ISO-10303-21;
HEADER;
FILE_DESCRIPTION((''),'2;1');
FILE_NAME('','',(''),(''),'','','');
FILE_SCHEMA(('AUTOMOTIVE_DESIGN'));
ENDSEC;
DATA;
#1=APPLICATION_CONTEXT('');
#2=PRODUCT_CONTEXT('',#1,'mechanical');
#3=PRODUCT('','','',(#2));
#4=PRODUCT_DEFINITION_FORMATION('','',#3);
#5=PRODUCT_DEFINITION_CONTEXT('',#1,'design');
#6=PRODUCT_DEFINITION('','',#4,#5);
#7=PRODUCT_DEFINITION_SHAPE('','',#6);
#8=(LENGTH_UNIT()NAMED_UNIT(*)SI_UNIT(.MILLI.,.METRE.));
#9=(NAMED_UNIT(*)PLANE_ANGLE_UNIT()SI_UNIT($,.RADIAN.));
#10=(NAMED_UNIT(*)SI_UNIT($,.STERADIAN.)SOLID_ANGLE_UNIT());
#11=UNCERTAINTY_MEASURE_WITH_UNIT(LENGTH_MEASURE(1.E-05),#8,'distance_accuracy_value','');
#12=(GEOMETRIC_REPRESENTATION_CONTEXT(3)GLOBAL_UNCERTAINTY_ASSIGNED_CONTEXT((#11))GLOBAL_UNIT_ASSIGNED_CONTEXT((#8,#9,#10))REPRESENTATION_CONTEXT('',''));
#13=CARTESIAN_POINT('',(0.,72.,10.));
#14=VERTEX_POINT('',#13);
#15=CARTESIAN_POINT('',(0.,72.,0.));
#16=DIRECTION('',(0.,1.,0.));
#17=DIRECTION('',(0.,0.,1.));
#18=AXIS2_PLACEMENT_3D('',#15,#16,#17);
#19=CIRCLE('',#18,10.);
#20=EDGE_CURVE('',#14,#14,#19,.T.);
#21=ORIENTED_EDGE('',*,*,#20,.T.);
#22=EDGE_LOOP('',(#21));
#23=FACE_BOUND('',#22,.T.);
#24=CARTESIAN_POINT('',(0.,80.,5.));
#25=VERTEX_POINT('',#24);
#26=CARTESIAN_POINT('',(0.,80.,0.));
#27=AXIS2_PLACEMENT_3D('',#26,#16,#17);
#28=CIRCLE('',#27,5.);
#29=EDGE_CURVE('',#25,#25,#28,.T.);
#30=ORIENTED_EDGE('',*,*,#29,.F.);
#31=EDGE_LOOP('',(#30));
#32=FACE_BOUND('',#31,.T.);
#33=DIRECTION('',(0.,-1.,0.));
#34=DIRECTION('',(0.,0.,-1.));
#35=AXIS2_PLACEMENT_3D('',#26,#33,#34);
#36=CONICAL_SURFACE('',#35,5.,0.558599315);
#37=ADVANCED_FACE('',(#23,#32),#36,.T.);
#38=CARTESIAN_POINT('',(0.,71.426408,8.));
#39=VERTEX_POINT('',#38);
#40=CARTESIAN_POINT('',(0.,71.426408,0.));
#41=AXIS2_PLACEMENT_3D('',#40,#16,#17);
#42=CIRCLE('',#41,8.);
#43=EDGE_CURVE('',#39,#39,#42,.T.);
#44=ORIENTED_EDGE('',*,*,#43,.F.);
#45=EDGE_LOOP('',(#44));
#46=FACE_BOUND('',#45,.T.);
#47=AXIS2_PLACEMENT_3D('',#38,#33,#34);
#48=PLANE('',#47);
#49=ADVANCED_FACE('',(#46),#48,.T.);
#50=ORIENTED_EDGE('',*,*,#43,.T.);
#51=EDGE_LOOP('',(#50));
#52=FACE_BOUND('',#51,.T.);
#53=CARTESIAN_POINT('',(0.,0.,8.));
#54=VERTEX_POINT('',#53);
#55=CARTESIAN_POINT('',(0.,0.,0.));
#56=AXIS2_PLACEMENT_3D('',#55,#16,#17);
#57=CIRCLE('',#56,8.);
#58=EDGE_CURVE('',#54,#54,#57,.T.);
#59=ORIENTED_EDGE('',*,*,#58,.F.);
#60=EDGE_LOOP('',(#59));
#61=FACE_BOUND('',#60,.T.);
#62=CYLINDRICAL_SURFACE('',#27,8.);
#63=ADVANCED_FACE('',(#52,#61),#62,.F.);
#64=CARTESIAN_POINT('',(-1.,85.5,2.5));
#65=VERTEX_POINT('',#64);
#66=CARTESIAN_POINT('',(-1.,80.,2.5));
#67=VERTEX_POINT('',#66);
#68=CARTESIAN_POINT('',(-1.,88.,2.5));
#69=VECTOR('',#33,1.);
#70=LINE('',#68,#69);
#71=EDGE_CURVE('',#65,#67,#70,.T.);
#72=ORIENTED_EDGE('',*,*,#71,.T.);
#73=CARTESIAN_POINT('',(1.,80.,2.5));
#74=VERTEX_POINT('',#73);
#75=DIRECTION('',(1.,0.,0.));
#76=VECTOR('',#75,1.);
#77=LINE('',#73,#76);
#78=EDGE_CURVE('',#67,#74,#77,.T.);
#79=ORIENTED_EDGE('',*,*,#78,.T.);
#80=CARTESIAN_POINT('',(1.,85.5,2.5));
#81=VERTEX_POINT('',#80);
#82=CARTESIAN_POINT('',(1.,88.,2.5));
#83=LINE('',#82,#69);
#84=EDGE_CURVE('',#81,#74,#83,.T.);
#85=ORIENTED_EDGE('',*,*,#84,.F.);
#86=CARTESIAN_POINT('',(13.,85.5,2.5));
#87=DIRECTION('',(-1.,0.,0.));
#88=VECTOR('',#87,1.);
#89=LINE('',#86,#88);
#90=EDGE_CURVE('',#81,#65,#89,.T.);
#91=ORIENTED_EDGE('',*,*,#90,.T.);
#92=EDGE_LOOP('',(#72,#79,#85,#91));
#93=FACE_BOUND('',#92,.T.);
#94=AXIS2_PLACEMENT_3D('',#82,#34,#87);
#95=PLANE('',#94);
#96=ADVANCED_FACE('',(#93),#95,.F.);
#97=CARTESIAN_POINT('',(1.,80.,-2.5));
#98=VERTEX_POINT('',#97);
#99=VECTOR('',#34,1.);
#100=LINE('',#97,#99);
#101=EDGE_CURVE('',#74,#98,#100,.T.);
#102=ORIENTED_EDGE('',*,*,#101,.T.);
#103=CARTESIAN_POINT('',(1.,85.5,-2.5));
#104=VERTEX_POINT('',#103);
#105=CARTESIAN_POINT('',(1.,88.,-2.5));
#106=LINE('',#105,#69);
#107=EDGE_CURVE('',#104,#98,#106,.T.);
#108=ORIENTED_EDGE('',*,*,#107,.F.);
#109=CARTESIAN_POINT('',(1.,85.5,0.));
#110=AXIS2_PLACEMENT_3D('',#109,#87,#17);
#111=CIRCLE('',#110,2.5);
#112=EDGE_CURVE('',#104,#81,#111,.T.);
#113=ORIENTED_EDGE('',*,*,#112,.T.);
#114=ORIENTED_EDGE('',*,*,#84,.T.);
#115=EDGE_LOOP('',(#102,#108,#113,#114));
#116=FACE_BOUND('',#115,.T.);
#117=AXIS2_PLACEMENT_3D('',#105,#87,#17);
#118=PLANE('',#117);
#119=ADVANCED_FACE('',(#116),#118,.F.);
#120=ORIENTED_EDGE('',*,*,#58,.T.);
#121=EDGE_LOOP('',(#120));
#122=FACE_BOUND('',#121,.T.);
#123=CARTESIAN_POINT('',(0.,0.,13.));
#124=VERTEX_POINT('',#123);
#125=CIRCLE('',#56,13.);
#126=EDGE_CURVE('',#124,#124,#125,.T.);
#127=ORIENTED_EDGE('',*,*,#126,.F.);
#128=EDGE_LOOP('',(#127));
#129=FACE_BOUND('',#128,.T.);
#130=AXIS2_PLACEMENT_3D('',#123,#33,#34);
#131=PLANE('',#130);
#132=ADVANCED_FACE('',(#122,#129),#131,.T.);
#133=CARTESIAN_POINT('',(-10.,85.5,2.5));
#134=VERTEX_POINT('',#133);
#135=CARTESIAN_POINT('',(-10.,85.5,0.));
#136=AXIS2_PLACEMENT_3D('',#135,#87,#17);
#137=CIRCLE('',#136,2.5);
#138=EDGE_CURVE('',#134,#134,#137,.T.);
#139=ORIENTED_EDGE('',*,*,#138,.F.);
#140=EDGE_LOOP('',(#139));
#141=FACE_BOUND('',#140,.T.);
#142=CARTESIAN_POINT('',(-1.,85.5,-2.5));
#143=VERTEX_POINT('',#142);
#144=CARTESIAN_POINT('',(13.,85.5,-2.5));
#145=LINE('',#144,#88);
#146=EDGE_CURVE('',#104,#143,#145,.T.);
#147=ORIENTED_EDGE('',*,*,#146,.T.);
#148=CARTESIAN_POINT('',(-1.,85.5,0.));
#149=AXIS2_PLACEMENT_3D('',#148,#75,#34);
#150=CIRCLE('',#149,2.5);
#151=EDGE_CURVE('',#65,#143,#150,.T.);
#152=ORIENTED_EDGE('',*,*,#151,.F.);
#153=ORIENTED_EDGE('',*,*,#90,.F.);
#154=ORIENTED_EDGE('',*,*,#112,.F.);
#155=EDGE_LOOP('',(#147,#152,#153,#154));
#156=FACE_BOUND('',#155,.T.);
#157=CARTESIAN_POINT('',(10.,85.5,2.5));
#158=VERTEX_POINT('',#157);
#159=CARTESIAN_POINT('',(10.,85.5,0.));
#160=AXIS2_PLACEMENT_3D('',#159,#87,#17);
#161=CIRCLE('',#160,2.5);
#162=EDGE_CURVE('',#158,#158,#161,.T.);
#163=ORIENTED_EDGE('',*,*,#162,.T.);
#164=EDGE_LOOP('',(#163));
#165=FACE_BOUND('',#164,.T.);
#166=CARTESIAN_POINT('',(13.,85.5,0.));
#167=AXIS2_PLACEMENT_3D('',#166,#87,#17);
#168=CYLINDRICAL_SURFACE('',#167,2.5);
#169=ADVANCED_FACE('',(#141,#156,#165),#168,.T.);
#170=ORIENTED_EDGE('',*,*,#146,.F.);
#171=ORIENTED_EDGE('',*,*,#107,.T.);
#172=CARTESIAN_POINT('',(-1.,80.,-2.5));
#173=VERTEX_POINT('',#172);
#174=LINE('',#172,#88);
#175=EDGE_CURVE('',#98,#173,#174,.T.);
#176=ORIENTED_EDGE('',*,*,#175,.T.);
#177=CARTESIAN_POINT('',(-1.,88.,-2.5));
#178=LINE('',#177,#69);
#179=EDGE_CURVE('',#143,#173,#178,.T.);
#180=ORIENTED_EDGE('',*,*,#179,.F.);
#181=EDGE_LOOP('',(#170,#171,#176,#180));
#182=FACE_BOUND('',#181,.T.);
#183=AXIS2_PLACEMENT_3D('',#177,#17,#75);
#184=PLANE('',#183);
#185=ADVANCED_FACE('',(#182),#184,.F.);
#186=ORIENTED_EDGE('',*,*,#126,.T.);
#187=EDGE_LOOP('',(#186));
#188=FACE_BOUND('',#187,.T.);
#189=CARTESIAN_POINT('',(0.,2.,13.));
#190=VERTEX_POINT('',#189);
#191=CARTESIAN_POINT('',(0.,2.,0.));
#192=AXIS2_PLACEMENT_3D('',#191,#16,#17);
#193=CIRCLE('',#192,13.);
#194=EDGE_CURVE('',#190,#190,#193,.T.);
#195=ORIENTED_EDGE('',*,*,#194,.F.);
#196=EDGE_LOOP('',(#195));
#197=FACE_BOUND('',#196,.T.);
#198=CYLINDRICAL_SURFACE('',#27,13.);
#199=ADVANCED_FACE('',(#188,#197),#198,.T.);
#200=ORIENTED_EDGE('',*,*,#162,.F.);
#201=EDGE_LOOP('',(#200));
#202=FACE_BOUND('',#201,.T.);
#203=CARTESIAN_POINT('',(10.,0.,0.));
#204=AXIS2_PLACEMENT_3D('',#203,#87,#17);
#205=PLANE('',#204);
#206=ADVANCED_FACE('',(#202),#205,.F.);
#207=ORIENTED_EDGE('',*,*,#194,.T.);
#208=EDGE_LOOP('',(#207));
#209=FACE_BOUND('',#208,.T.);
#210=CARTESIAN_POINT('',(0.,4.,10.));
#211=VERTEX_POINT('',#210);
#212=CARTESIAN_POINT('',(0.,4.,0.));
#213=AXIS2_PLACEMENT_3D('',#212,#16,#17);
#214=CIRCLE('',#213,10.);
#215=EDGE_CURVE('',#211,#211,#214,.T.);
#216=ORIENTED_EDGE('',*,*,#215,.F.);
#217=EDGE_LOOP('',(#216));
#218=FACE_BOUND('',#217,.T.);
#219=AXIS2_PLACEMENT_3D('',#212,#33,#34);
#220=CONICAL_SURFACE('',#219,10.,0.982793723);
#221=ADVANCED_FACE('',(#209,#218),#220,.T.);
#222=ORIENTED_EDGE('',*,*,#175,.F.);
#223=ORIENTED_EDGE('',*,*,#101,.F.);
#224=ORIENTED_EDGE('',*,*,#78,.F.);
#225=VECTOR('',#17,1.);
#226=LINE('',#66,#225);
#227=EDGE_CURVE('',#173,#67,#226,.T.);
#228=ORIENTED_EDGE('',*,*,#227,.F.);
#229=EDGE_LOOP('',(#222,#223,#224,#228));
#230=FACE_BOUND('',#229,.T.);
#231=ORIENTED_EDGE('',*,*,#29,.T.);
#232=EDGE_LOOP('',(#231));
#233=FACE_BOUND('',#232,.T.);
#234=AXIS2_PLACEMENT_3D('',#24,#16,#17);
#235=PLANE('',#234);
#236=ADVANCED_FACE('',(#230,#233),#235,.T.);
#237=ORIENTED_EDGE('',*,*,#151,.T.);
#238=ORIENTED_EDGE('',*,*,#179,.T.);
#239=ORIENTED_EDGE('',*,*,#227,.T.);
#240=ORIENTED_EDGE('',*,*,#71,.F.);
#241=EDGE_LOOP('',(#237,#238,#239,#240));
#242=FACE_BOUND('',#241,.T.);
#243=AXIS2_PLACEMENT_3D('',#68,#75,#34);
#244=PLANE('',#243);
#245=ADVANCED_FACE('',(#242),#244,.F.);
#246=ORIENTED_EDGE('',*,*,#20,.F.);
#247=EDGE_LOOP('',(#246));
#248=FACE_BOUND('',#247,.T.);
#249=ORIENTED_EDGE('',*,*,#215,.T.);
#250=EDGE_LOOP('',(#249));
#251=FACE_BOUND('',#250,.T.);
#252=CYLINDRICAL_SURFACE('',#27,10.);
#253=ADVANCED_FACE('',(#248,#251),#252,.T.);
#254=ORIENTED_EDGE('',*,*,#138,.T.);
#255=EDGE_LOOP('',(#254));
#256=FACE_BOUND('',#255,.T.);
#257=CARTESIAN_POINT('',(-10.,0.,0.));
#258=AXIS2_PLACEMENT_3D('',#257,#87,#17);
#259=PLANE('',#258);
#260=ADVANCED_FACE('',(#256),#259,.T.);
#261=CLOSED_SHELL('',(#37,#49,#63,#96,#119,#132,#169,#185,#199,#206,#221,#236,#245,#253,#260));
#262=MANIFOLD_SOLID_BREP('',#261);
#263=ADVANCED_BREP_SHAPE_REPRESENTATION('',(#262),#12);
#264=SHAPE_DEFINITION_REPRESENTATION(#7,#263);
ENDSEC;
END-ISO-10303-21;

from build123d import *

# Parameters (mm, degrees)
SKETCH2_W                = 2
SKETCH2_H                = 5
BOSS_EXTRUDE1_DEPTH      = 8
CUT_EXTRUDE1_DEPTH       = 91.049986119
CUT_EXTRUDE1_DEPTH_BACK  = 91.049986119
BOSS_EXTRUDE2_DEPTH      = 9
BOSS_EXTRUDE2_DEPTH_BACK = 11


with BuildPart() as part:
    # Sketch1 → Revolve1 (revolve)
    with BuildSketch(Plane(origin=(0, 0, 0), x_dir=(0, 0, -1), z_dir=(1, 0, 0))):
        Polygon((-10, 4), (-10, 72), (-5, 80), (0, 80), (0, 71.426407547), (-8, 71.426407547), (-8, 0), (-13, 0), (-13, 2), align=None)
    revolve(axis=Axis((0, 80, 0), (0, -1, 0)))

    # Sketch2 → Boss-Extrude1 (add)
    with BuildSketch(Plane(origin=(0, 80, 0), x_dir=(1, 0, 0), z_dir=(0, 1, 0))):
        Rectangle(SKETCH2_W, SKETCH2_H)
    extrude(amount=BOSS_EXTRUDE1_DEPTH)

    # Sketch3 → Cut-Extrude1 (cut, two sides: drawn at the far end of the back side and taken through both)
    with BuildSketch(Plane.ZY.offset(1).offset(-CUT_EXTRUDE1_DEPTH_BACK)):
        with BuildLine():
            ThreePointArc((-2.5, 85.5), (0, 88), (2.5, 85.5))
            Line((2.5, 85.5), (2.5, 90.5))
            Line((2.5, 90.5), (-2.5, 90.5))
            Line((-2.5, 90.5), (-2.5, 85.5))
        make_face()
    extrude(amount=CUT_EXTRUDE1_DEPTH + CUT_EXTRUDE1_DEPTH_BACK, mode=Mode.SUBTRACT)

    # Sketch3<3> → Boss-Extrude2 (add, two sides: drawn at the far end of the back side and taken through both)
    with BuildSketch(Plane.ZY.offset(1).offset(-BOSS_EXTRUDE2_DEPTH_BACK)):
        with BuildLine():
            ThreePointArc((2.5, 85.5), (0, 88), (-2.5, 85.5))
            ThreePointArc((-2.5, 85.5), (0, 83), (2.5, 85.5))
        make_face()
    extrude(amount=BOSS_EXTRUDE2_DEPTH + BOSS_EXTRUDE2_DEPTH_BACK)


solid = part.part
